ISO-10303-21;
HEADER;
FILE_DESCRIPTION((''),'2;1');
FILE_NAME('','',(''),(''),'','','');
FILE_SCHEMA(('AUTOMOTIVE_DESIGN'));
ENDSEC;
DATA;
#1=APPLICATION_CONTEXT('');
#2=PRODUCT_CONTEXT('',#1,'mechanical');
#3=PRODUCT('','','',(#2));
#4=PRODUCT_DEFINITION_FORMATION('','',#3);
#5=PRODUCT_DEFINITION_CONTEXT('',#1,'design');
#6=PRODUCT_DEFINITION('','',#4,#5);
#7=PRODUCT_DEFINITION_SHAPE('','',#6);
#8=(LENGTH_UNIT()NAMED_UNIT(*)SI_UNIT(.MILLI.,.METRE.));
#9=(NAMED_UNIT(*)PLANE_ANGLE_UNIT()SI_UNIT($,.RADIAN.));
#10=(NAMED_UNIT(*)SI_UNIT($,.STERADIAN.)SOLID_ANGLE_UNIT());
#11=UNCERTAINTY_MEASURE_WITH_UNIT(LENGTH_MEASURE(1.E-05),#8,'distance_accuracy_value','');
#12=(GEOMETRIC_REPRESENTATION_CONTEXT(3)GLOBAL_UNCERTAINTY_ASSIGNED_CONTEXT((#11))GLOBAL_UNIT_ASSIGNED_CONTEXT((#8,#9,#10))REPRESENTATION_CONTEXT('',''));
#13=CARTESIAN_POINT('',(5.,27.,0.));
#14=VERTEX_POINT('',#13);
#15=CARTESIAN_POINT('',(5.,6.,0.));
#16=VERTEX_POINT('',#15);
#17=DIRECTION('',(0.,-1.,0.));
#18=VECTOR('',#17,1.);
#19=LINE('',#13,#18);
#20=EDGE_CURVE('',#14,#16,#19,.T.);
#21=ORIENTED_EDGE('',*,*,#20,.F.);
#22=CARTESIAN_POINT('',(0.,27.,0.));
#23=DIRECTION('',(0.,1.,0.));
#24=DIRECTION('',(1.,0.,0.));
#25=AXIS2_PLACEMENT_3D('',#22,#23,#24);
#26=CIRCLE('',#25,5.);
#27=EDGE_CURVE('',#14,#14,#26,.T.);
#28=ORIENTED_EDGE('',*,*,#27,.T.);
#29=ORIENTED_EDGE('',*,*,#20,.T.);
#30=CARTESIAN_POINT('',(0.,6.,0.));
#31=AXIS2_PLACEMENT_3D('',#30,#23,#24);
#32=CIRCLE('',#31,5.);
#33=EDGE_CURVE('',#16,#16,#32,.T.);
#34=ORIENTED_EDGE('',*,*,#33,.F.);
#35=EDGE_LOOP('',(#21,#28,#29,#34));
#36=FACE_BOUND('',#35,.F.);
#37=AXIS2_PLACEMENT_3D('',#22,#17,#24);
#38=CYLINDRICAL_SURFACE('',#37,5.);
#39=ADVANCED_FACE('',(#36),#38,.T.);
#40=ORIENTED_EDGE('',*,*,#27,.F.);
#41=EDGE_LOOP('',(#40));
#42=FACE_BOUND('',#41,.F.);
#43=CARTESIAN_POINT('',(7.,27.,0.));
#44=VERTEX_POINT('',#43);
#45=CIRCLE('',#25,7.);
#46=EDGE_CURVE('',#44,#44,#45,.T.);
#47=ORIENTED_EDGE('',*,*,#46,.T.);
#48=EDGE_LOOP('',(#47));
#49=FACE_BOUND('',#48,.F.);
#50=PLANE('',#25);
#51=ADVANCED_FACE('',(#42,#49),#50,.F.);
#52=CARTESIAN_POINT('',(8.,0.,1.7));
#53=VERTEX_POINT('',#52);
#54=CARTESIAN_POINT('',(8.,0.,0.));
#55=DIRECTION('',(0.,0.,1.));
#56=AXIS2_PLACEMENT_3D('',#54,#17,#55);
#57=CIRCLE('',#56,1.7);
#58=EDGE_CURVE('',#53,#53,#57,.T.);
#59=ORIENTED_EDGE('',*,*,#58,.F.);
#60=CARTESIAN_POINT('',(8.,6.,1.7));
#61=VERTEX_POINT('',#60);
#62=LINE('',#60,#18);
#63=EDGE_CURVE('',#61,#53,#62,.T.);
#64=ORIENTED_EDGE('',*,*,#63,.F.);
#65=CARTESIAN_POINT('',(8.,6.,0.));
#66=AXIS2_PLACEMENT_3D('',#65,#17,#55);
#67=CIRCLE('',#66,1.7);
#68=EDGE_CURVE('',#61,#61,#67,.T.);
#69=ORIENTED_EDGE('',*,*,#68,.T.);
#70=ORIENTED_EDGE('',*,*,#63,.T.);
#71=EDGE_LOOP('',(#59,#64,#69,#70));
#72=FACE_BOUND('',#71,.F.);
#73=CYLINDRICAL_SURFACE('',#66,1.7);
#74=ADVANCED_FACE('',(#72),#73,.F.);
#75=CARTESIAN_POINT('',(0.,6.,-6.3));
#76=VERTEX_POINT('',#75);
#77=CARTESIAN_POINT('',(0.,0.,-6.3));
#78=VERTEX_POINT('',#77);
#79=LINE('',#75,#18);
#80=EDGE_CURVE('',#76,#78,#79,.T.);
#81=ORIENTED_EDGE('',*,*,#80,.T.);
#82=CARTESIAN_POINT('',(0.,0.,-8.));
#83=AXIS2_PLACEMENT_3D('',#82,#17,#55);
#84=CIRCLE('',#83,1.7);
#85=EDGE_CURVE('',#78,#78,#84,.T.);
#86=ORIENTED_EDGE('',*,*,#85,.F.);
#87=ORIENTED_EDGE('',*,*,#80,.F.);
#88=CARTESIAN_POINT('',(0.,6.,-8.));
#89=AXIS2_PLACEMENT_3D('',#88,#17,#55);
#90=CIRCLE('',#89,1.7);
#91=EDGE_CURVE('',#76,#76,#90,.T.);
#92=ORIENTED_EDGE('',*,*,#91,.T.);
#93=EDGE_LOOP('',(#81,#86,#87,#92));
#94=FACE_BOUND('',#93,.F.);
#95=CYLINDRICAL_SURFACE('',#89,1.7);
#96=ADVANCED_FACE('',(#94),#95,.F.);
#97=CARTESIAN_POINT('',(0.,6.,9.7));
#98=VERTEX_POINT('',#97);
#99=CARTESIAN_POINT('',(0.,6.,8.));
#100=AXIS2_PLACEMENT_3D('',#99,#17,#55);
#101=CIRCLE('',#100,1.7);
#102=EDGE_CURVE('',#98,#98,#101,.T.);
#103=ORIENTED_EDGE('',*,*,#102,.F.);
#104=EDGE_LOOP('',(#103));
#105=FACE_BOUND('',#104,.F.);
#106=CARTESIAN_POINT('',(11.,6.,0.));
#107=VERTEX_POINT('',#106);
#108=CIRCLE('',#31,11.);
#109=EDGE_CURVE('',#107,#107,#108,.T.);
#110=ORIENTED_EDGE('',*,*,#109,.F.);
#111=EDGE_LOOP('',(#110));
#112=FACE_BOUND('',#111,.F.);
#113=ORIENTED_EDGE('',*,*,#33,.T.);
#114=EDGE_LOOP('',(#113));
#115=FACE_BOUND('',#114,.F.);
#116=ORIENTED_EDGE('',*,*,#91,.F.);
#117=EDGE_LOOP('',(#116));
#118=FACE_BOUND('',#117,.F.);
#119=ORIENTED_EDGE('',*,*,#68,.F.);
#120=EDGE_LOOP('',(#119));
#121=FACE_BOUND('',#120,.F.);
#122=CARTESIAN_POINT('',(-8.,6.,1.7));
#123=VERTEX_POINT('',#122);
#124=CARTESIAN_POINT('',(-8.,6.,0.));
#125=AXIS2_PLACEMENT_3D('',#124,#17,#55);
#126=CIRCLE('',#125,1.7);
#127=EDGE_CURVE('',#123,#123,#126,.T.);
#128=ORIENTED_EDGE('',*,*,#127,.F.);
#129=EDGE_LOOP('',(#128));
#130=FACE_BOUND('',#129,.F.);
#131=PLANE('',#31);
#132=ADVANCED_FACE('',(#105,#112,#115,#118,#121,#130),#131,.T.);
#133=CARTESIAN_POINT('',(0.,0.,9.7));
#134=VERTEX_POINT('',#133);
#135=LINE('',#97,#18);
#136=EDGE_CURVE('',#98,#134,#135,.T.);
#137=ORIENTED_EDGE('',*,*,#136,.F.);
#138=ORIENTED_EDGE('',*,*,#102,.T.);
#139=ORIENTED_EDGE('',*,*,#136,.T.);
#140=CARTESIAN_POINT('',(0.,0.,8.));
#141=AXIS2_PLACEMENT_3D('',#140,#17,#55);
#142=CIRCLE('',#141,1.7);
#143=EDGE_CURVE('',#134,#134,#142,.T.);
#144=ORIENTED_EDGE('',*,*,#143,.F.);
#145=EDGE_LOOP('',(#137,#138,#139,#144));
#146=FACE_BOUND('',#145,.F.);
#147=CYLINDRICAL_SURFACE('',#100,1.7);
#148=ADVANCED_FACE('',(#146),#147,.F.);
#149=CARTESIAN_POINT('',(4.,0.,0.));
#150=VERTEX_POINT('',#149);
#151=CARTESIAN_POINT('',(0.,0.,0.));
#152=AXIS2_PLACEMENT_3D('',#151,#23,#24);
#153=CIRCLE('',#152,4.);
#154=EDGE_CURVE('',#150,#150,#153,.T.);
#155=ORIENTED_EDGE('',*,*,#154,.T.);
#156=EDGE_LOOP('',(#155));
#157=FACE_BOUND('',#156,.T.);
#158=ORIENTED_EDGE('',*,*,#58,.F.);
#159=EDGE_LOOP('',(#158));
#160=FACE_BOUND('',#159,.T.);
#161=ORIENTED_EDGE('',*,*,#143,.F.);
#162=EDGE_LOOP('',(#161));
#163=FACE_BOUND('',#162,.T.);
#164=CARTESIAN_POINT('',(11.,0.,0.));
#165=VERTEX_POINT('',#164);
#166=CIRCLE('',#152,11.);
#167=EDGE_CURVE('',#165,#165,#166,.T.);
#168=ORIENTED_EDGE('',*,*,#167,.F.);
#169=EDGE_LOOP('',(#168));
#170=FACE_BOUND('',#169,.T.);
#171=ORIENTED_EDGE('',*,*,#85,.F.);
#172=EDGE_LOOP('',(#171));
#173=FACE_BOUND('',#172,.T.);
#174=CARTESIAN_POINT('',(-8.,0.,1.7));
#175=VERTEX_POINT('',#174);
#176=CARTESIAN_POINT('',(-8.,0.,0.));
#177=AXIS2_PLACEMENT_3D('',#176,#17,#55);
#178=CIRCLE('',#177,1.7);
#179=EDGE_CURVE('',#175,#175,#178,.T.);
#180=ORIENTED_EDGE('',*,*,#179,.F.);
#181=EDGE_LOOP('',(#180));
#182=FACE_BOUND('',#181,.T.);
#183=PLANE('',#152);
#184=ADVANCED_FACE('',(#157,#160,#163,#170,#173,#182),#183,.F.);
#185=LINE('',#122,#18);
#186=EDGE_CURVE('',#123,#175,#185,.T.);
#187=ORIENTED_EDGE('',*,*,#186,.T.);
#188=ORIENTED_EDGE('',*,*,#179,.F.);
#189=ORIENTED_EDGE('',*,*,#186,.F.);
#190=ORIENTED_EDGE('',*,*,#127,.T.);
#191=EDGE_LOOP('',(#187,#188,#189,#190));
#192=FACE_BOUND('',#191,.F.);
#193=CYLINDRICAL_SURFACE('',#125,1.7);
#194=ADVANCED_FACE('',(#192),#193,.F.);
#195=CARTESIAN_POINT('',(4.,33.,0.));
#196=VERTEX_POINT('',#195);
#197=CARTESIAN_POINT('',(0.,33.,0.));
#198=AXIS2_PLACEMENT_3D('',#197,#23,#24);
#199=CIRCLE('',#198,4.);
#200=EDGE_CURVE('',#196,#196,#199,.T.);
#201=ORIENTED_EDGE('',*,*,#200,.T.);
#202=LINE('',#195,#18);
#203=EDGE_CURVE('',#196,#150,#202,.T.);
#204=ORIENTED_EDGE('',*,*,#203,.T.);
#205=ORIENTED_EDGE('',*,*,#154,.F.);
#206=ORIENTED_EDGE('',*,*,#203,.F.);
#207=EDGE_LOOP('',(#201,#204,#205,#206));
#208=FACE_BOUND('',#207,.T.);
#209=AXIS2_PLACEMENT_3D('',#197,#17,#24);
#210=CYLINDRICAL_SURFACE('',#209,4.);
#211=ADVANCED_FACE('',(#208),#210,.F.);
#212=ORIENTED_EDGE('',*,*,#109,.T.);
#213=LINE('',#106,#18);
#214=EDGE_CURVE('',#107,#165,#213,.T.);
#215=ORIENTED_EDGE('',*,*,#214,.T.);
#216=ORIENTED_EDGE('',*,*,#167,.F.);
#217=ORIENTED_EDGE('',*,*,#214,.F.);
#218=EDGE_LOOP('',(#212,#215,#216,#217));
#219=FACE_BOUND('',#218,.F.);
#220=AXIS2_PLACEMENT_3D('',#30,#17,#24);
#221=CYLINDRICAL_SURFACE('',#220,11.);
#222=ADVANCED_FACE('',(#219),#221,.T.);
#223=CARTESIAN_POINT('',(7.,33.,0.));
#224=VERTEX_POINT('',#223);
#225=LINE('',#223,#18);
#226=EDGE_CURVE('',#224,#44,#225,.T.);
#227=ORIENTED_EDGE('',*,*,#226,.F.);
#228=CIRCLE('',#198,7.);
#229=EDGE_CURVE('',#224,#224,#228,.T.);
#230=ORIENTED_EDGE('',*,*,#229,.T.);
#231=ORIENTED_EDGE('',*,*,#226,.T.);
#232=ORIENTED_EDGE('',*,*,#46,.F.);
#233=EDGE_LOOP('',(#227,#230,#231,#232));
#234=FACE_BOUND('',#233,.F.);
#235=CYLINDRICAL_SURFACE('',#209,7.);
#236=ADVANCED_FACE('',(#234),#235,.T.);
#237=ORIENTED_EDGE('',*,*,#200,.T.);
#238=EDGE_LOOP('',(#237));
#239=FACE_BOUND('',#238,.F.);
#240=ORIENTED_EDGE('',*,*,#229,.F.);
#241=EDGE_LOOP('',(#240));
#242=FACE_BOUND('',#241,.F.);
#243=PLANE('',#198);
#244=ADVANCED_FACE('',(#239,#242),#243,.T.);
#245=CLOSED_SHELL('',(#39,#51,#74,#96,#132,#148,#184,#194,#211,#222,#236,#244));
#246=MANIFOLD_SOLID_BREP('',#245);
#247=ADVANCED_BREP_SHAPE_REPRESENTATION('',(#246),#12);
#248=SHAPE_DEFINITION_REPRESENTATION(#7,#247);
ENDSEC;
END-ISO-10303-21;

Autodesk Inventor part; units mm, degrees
ref_plane "YZ Plane" through (0, 0, 0) normal (1, 0, 0) x (0, 1, 0)
ref_plane "XZ Plane" through (0, 0, 0) normal (0, 1, 0) x (-1, 0, 0)
ref_plane "XY Plane" through (0, 0, 0) normal (0, 0, 1) x (1, 0, 0)
sketch "Sketch1" plane through (0, 0, 0) normal (0, 0, 1) x (1, 0, 0)
  line L0 (7, 33) -> (7, 27)
  line L1 (7, 27) -> (5, 27)
  line L2 (5, 27) -> (5, 6)
  line L3 (5, 6) -> (11, 6)
  line L4 (11, 6) -> (11, 0)
  line L5 (4, 33) -> (4, 0)
  line L6 (4, 33) -> (7, 33)
  line L7 (4, 0) -> (11, 0)
  line L8 (-2.2, 0) -> (13.2, 0) projected
  line L9 (0, -6.6) -> (0, 39.6) projected
  point P0 (0, 0)
  dimension "d9" = 8
  dimension "d10" = 14
  dimension "d11" = 22
  dimension "d12" = 10
  dimension "d13" = 6
  dimension "d14" = 6
  dimension "d15" = 33
revolve "Revolution2" add sketch "Sketch1" angle 360 about axis through (0, -10, 0) along (0, 1, 0)
thread "Thread2" size "M10x1.5" class "6g" standard "ISO Metric profile" full length
sketch "Sketch2" plane through (0, 6, 0) normal (0, 1, 0) x (1, 0, 0)
  circle A0 centre (0, 0) radius 8
  line L0 (-15.4, 0) -> (15.4, 0) projected
  line L1 (0, 15.4) -> (0, -15.4) projected
  point P0 (-8, 0)
  point P1 (0, -8)
  point P2 (0, 8)
  point P3 (8, 0)
  dimension "d19" = 16
hole "Hole1" at (-8, 6, 0) at (0, 6, 8) at (0, 6, -8) at (8, 6, 0) direction (0, -1, 0) diameter 3.4 depth 8 tip angle 118
properties part number "tuerca anti backlash"
